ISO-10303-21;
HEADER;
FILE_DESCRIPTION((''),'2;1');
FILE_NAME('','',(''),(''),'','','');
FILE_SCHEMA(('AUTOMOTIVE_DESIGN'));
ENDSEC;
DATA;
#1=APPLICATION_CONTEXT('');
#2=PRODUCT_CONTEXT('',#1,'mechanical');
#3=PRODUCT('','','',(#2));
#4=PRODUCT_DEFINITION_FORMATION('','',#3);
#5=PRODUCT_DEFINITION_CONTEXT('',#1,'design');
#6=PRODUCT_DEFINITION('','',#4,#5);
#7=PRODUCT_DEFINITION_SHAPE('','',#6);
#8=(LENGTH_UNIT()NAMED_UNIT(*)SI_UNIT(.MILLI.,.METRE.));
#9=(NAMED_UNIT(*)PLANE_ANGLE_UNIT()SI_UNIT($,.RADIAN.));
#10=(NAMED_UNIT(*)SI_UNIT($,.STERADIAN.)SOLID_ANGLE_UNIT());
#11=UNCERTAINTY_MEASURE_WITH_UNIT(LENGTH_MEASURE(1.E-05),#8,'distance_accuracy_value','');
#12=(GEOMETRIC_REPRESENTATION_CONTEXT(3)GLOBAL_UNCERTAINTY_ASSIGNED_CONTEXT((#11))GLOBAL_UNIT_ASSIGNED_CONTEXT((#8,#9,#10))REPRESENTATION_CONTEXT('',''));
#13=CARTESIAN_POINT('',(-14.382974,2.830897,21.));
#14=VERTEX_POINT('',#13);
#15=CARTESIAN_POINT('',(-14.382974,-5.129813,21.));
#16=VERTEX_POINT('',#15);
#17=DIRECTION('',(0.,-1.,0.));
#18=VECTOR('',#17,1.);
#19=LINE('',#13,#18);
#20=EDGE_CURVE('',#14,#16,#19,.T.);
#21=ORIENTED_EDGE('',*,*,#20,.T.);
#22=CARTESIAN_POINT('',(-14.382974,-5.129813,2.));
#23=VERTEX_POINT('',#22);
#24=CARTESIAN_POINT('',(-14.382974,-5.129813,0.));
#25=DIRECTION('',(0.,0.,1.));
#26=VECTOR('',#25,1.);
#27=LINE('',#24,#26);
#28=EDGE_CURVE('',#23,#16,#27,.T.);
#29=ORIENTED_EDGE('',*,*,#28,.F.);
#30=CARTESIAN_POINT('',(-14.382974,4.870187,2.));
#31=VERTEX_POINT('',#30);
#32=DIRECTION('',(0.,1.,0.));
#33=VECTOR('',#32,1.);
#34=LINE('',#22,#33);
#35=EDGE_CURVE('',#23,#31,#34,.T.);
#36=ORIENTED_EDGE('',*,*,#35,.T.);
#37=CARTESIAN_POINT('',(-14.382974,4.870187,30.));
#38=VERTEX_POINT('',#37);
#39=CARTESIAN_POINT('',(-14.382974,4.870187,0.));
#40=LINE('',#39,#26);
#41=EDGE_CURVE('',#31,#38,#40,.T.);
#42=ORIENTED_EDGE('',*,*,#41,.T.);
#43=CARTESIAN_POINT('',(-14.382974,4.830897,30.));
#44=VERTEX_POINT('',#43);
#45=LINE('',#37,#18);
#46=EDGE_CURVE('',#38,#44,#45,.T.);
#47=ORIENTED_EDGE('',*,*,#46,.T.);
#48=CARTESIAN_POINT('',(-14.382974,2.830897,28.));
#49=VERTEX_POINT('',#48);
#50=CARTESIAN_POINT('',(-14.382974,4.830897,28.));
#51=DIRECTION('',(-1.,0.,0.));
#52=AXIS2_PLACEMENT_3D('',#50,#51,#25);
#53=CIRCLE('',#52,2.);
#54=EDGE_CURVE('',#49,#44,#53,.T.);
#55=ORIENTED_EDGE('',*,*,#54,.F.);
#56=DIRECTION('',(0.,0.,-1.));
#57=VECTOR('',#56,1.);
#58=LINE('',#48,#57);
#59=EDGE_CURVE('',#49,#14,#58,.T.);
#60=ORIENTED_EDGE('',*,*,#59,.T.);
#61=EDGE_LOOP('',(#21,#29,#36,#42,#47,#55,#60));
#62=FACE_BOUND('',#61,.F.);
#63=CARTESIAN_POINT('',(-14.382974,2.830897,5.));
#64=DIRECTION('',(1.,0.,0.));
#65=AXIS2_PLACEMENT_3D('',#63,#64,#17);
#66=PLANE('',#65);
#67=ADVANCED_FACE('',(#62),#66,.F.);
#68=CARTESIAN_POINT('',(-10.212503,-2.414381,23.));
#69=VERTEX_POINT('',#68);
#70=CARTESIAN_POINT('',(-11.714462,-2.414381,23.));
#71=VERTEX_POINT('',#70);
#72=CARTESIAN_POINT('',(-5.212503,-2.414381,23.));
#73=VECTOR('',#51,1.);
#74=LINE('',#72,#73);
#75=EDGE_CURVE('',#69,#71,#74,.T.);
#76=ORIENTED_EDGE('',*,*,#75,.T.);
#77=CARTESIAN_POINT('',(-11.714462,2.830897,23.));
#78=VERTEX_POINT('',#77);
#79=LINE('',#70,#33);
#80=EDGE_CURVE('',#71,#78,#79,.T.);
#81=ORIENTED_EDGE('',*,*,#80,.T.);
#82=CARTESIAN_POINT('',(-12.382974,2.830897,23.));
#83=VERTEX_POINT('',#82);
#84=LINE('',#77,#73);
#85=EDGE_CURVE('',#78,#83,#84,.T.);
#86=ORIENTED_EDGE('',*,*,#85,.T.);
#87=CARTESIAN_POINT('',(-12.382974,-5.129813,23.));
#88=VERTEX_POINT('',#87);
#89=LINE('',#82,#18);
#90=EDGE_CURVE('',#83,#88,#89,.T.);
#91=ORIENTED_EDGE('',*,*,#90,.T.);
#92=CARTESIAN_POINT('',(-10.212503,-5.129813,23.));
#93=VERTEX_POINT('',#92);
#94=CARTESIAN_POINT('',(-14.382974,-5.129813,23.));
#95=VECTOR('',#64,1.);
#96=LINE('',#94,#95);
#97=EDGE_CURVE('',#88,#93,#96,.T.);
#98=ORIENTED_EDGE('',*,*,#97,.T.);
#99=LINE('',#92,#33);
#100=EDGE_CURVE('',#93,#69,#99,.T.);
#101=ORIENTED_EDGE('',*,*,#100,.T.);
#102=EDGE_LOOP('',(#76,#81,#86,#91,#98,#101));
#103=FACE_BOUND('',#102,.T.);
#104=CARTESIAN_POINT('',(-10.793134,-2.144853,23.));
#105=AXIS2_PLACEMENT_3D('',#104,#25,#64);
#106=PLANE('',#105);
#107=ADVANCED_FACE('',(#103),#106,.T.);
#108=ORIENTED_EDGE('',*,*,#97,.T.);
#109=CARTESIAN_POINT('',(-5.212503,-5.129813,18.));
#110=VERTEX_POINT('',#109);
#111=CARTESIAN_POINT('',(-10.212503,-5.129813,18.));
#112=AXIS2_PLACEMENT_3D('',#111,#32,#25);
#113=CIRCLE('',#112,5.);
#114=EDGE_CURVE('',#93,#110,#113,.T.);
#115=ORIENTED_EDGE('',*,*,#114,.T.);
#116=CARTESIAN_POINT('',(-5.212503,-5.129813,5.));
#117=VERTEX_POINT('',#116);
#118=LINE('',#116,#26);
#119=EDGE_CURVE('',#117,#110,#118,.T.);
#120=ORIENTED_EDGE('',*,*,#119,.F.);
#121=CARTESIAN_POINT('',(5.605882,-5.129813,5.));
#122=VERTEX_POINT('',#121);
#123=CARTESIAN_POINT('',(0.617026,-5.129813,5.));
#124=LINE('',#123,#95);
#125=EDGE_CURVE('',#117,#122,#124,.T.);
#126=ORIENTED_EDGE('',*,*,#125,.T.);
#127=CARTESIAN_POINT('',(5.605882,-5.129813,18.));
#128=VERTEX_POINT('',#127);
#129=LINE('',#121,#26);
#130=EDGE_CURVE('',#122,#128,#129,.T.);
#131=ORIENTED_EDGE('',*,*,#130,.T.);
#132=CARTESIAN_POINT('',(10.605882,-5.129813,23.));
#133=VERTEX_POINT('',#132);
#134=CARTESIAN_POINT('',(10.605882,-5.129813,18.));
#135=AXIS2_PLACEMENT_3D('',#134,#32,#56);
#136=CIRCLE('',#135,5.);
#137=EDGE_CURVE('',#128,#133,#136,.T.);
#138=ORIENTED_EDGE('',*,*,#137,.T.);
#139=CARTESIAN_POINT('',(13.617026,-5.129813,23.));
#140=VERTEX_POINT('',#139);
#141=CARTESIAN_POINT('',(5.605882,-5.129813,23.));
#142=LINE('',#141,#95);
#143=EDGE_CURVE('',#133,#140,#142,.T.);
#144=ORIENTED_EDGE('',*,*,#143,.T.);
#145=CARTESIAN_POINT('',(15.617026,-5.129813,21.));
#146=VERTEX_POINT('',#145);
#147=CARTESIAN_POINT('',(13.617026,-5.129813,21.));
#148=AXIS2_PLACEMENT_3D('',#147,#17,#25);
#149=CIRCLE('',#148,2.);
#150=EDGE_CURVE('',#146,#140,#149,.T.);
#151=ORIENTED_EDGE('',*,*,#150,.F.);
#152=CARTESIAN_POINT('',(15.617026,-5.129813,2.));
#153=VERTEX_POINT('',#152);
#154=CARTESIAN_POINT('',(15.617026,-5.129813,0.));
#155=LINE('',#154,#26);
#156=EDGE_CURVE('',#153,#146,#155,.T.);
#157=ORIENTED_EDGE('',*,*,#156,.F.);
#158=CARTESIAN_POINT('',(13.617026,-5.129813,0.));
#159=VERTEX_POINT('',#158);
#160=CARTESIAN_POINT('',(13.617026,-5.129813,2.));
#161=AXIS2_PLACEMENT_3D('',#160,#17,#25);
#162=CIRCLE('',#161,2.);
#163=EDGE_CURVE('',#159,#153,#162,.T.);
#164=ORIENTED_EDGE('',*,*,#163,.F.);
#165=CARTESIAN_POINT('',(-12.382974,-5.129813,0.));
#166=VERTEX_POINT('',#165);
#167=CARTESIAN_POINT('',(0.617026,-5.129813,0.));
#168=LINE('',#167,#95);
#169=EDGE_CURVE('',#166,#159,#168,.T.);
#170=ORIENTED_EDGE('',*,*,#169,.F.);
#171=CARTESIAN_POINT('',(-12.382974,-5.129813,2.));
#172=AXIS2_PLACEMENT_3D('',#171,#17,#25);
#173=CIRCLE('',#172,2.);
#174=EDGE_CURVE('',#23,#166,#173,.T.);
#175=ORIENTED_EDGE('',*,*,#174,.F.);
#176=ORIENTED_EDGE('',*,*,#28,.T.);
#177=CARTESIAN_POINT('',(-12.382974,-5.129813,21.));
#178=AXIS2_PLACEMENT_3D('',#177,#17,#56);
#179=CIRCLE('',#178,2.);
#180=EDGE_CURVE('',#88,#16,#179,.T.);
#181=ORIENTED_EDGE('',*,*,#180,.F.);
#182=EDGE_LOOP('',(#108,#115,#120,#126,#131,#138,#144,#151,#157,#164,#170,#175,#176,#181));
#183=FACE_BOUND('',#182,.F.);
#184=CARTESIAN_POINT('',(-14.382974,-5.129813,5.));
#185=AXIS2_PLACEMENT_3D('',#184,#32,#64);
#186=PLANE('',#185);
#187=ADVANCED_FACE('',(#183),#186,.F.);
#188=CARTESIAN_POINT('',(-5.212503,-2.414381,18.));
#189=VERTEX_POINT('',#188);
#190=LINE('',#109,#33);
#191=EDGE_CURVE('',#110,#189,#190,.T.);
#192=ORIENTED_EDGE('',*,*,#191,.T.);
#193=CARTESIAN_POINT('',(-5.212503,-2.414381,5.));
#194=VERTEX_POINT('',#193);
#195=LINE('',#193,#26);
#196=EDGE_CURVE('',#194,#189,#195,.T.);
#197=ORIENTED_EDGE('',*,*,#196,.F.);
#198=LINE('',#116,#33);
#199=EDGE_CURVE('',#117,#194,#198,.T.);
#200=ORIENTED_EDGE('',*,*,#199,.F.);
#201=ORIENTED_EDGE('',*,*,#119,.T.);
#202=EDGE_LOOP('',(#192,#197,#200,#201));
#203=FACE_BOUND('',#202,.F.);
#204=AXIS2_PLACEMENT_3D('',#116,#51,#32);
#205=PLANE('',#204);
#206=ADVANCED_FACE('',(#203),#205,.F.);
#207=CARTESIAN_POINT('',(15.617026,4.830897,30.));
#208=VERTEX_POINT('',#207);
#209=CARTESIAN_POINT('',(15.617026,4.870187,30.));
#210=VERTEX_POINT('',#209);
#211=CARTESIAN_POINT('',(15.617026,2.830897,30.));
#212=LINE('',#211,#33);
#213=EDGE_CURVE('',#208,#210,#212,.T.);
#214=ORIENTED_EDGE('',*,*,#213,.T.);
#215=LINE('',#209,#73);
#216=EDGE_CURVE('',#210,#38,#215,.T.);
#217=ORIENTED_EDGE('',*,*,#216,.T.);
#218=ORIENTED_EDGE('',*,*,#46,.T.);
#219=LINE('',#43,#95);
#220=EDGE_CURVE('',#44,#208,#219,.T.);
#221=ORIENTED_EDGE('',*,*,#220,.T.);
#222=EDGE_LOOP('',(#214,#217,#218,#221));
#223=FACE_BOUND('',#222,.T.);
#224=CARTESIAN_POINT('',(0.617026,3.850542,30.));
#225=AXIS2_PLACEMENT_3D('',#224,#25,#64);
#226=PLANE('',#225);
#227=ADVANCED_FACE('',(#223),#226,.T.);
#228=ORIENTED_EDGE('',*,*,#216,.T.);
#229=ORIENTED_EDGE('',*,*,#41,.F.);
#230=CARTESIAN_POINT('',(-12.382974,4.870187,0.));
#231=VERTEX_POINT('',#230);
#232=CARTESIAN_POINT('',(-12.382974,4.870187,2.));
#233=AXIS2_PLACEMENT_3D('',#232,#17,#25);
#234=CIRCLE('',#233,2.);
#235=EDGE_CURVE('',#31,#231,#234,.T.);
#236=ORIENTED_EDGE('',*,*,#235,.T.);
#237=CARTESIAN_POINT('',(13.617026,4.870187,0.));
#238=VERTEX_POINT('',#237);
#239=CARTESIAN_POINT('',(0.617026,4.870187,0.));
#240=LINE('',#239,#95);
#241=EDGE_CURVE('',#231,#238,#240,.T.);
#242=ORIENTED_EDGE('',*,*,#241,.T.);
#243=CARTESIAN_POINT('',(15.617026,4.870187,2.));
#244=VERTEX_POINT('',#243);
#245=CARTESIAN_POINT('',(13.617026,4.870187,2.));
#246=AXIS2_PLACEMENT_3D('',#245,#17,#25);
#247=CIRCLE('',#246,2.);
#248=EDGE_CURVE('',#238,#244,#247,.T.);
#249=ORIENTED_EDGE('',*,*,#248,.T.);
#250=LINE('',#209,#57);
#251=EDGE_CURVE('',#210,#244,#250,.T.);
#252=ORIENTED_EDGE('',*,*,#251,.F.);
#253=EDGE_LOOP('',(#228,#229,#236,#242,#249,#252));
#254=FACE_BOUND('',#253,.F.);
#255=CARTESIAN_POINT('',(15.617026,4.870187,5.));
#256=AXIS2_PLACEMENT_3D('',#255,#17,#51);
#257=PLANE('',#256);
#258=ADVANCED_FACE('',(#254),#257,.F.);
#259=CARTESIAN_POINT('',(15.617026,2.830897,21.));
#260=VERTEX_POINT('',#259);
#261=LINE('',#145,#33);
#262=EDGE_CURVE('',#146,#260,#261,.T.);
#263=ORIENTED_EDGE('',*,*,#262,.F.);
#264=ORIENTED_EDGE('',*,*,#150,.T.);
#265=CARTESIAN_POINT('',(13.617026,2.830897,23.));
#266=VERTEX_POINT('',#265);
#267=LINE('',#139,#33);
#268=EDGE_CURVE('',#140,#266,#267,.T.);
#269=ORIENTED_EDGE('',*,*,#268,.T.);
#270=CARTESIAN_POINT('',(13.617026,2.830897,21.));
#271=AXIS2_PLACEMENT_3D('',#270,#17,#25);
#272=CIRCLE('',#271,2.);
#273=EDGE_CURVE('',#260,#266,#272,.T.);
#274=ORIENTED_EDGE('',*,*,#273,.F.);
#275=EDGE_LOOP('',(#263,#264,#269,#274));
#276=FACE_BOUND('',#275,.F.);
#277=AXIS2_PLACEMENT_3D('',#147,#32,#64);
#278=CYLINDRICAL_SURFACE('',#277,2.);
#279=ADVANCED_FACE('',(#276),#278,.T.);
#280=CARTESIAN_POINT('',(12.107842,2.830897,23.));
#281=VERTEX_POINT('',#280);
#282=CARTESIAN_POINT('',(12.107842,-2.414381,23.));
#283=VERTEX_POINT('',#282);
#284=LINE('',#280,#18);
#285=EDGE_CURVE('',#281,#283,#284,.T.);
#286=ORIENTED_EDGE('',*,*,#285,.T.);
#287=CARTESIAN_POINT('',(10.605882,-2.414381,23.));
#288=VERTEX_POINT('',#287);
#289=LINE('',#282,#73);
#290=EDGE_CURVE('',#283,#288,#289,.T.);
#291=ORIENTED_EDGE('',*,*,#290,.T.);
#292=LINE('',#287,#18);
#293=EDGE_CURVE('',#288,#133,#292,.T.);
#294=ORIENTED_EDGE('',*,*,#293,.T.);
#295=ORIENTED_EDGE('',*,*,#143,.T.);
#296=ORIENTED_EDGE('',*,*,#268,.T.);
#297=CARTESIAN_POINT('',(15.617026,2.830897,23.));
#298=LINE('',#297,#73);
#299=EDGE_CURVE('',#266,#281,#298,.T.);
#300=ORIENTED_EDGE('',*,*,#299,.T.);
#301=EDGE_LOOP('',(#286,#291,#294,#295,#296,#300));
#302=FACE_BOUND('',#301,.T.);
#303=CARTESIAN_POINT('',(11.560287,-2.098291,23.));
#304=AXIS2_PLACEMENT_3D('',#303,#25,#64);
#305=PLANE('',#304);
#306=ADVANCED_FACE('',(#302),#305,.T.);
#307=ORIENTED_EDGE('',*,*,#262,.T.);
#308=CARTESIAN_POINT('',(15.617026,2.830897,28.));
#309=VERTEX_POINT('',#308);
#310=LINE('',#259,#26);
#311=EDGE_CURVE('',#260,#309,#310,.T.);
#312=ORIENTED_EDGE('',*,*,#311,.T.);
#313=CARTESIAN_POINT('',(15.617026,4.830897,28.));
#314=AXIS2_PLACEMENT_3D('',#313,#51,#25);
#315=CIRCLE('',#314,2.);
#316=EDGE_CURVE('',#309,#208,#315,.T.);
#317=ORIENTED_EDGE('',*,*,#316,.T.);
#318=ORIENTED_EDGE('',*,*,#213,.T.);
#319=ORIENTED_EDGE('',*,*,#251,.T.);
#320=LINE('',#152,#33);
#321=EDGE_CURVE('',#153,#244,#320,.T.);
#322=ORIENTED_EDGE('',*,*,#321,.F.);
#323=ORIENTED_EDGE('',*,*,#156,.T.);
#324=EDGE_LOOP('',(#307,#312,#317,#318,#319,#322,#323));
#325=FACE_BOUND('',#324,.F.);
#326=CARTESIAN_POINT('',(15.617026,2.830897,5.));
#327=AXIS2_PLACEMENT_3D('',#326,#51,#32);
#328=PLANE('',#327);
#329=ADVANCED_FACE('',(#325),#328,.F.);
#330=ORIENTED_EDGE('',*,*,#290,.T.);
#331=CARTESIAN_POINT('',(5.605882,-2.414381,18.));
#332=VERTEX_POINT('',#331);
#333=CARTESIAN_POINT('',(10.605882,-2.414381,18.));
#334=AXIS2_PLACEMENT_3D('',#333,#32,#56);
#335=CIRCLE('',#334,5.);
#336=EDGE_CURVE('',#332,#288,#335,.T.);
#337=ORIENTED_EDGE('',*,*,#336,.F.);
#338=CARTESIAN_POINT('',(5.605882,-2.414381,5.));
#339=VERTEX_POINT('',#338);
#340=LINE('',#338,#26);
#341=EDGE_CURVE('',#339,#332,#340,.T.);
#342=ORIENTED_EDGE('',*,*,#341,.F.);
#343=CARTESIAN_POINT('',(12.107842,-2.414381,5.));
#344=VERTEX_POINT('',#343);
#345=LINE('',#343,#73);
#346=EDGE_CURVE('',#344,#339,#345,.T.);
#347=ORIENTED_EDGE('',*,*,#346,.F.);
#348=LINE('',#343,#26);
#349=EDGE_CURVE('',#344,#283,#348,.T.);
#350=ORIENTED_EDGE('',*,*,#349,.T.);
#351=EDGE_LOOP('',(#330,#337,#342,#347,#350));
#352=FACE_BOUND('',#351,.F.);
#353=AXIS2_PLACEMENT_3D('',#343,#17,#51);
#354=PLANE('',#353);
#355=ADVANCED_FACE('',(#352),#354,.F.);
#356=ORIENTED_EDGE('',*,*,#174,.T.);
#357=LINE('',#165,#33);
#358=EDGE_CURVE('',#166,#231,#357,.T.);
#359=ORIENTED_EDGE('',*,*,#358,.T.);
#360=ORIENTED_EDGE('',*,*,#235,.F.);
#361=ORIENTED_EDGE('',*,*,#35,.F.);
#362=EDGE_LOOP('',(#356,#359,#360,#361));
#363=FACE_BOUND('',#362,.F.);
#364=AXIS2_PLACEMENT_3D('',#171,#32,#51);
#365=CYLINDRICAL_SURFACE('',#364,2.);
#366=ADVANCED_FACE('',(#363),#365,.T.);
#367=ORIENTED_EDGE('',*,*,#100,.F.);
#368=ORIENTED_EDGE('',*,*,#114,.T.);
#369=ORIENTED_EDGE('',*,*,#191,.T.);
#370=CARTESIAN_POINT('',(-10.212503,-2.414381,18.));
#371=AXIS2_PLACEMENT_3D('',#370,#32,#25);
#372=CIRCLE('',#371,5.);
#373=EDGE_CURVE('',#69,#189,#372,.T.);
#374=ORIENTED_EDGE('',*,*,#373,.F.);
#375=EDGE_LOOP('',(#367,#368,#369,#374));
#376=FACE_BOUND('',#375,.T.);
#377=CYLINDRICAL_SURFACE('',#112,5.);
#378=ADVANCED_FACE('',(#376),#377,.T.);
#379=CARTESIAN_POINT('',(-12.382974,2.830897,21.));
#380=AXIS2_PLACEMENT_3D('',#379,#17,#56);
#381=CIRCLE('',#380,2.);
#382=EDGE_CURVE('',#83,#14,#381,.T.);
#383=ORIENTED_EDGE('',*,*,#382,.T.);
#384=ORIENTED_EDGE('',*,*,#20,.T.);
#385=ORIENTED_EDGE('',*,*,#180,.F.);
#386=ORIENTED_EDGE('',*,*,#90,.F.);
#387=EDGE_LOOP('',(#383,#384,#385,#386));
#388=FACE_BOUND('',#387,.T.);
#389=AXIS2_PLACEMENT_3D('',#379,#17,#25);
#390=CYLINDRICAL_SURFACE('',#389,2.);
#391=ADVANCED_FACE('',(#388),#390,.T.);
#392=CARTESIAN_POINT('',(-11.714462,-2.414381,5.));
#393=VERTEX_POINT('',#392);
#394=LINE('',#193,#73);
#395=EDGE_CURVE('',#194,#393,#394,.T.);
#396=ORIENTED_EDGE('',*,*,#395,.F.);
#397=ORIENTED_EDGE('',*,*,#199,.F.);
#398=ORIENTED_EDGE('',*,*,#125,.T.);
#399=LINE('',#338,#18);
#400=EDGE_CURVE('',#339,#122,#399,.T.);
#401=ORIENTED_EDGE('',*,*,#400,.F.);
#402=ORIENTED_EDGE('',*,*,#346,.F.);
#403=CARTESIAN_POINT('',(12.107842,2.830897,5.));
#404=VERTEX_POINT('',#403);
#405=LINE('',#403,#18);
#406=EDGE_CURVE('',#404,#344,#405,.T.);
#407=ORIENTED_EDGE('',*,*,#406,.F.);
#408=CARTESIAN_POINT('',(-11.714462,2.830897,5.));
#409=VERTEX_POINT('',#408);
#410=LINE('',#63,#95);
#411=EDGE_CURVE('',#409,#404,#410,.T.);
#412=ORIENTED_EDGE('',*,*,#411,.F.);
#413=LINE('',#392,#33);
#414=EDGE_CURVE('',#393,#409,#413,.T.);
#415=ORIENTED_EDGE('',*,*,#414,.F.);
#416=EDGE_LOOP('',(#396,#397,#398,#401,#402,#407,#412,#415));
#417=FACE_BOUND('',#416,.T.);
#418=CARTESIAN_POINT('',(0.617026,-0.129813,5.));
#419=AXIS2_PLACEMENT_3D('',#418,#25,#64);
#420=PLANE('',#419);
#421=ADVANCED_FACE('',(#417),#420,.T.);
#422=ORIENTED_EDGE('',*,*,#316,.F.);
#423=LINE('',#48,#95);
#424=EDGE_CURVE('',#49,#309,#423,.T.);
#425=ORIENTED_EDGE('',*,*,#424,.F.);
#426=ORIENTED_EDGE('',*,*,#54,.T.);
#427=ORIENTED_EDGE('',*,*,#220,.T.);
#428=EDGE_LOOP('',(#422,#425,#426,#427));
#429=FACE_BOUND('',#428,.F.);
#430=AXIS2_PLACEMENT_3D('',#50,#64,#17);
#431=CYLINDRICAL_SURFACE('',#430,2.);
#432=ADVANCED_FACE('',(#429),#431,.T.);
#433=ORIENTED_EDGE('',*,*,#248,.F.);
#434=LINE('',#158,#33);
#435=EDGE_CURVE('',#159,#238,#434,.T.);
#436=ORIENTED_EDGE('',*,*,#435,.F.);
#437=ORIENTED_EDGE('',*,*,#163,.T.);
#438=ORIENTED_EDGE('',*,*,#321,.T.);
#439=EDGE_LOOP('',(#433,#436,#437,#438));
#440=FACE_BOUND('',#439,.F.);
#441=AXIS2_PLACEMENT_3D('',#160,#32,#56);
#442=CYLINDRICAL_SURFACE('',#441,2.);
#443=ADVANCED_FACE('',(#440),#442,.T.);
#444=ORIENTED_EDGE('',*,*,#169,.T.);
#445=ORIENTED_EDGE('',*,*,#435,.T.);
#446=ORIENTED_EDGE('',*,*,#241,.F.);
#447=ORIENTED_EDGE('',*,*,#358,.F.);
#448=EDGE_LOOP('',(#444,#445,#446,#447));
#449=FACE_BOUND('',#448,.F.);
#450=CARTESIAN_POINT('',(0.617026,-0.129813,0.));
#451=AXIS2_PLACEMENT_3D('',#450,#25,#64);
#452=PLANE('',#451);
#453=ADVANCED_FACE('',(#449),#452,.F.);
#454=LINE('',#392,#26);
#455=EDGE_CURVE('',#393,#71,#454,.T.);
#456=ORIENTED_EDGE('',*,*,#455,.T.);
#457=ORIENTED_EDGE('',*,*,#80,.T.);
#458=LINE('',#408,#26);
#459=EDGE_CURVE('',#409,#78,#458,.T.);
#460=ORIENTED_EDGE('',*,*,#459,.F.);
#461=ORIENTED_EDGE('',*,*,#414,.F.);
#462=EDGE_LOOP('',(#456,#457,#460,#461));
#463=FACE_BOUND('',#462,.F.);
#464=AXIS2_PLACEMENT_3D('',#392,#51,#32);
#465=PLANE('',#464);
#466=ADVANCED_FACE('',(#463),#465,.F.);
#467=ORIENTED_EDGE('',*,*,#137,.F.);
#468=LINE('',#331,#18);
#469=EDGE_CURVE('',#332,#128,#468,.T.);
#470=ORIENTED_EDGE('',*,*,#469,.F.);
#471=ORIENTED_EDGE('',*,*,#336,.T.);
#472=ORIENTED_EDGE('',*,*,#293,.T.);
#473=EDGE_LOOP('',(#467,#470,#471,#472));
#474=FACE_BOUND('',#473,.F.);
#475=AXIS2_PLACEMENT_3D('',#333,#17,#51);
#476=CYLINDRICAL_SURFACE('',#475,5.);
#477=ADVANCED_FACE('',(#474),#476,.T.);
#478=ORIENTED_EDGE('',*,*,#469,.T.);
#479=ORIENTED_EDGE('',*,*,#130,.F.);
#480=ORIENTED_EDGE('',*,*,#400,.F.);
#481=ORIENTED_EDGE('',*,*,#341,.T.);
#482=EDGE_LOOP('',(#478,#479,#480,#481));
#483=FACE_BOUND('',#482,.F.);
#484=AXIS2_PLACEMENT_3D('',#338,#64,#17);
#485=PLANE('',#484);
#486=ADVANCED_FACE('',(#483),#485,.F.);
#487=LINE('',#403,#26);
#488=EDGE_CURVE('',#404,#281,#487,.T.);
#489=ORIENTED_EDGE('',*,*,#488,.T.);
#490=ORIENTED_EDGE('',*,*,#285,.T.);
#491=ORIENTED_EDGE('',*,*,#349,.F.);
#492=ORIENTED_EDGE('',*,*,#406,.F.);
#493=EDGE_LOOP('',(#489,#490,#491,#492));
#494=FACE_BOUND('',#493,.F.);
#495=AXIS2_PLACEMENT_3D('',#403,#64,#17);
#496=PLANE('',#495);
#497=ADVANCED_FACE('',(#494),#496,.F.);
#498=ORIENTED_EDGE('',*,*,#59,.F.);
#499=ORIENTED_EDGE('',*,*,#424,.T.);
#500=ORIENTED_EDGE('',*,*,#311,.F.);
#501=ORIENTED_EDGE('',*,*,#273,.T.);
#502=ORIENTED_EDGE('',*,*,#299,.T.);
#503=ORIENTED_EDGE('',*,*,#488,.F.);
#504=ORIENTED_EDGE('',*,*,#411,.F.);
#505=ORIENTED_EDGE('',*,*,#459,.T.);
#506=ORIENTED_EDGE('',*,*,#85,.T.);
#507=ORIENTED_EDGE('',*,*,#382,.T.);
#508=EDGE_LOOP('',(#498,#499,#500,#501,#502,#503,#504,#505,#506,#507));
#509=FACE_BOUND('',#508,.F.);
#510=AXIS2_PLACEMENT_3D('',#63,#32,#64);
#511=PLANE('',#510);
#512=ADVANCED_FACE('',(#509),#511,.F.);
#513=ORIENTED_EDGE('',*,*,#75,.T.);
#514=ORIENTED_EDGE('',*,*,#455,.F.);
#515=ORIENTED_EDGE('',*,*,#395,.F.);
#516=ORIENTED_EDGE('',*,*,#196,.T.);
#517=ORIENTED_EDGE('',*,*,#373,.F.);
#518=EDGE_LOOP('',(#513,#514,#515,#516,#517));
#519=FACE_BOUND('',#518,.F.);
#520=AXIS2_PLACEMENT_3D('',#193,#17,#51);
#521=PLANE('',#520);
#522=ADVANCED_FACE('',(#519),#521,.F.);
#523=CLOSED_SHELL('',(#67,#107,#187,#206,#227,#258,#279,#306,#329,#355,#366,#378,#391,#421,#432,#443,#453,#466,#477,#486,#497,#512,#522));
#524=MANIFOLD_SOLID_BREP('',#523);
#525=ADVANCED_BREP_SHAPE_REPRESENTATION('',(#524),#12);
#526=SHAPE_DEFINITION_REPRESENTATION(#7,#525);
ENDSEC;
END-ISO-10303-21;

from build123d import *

# Parameters (mm, degrees)
F0_W     = 30
F0_H     = 10
F1_DEPTH = 5
F3_DEPTH = 25
F4_DEPTH = 18
F5_R     = 5
F6_R     = 2


with BuildPart() as f1:
    # F0 (on Top) → F1 (new body)
    with BuildSketch(Plane.XY):
        with Locations((0.6170257553, -0.1298129745)):
            Rectangle(F0_W, F0_H)
    extrude(amount=F1_DEPTH)

    # F2 (on face) → F3 (join)
    with BuildSketch(Plane.XY.offset(5)):
        Polygon((15.6170257553, 4.8701870255), (-14.3829742447, 4.8701870255), (-14.3829742447, 2.8308965266), (-11.7144621909, 2.8308965266), (12.1078416705, 2.8308965266), (15.6170257553, 2.8308965266), align=None)
    extrude(amount=F3_DEPTH)

    # F2 (on face) → F4 (join)
    with BuildSketch(Plane.XY.offset(5)):
        Polygon((-11.7144621909, 2.8308965266), (-14.3829742447, 2.8308965266), (-14.3829742447, -5.1298129745), (-5.2125030197, -5.1298129745), (-5.2125030197, -2.4143811315), (-11.7144621909, -2.4143811315), align=None)
        Polygon((15.6170257553, -5.1298129745), (15.6170257553, 2.8308965266), (12.1078416705, 2.8308965266), (12.1078416705, -2.4143811315), (5.6058824994, -2.4143811315), (5.6058824994, -5.1298129745), align=None)
    extrude(amount=F4_DEPTH)

    # F5
    f5_edges = [f1.edges().sort_by_distance(p)[0] for p in [
        (-5.212503, -3.772097, 23),
        (5.605882, -3.772097, 23),
    ]]
    fillet(f5_edges, radius=F5_R)

    # F6
    f6_edges = [f1.edges().sort_by_distance(p)[0] for p in [
        (0.617026, 2.830897, 30),
        (15.617026, -0.129813, 0),
        (15.617026, -1.149458, 23),
        (-14.382974, -1.149458, 23),
        (-14.382974, -0.129813, 0),
    ]]
    fillet(f6_edges, radius=F6_R)


solid = f1.part
